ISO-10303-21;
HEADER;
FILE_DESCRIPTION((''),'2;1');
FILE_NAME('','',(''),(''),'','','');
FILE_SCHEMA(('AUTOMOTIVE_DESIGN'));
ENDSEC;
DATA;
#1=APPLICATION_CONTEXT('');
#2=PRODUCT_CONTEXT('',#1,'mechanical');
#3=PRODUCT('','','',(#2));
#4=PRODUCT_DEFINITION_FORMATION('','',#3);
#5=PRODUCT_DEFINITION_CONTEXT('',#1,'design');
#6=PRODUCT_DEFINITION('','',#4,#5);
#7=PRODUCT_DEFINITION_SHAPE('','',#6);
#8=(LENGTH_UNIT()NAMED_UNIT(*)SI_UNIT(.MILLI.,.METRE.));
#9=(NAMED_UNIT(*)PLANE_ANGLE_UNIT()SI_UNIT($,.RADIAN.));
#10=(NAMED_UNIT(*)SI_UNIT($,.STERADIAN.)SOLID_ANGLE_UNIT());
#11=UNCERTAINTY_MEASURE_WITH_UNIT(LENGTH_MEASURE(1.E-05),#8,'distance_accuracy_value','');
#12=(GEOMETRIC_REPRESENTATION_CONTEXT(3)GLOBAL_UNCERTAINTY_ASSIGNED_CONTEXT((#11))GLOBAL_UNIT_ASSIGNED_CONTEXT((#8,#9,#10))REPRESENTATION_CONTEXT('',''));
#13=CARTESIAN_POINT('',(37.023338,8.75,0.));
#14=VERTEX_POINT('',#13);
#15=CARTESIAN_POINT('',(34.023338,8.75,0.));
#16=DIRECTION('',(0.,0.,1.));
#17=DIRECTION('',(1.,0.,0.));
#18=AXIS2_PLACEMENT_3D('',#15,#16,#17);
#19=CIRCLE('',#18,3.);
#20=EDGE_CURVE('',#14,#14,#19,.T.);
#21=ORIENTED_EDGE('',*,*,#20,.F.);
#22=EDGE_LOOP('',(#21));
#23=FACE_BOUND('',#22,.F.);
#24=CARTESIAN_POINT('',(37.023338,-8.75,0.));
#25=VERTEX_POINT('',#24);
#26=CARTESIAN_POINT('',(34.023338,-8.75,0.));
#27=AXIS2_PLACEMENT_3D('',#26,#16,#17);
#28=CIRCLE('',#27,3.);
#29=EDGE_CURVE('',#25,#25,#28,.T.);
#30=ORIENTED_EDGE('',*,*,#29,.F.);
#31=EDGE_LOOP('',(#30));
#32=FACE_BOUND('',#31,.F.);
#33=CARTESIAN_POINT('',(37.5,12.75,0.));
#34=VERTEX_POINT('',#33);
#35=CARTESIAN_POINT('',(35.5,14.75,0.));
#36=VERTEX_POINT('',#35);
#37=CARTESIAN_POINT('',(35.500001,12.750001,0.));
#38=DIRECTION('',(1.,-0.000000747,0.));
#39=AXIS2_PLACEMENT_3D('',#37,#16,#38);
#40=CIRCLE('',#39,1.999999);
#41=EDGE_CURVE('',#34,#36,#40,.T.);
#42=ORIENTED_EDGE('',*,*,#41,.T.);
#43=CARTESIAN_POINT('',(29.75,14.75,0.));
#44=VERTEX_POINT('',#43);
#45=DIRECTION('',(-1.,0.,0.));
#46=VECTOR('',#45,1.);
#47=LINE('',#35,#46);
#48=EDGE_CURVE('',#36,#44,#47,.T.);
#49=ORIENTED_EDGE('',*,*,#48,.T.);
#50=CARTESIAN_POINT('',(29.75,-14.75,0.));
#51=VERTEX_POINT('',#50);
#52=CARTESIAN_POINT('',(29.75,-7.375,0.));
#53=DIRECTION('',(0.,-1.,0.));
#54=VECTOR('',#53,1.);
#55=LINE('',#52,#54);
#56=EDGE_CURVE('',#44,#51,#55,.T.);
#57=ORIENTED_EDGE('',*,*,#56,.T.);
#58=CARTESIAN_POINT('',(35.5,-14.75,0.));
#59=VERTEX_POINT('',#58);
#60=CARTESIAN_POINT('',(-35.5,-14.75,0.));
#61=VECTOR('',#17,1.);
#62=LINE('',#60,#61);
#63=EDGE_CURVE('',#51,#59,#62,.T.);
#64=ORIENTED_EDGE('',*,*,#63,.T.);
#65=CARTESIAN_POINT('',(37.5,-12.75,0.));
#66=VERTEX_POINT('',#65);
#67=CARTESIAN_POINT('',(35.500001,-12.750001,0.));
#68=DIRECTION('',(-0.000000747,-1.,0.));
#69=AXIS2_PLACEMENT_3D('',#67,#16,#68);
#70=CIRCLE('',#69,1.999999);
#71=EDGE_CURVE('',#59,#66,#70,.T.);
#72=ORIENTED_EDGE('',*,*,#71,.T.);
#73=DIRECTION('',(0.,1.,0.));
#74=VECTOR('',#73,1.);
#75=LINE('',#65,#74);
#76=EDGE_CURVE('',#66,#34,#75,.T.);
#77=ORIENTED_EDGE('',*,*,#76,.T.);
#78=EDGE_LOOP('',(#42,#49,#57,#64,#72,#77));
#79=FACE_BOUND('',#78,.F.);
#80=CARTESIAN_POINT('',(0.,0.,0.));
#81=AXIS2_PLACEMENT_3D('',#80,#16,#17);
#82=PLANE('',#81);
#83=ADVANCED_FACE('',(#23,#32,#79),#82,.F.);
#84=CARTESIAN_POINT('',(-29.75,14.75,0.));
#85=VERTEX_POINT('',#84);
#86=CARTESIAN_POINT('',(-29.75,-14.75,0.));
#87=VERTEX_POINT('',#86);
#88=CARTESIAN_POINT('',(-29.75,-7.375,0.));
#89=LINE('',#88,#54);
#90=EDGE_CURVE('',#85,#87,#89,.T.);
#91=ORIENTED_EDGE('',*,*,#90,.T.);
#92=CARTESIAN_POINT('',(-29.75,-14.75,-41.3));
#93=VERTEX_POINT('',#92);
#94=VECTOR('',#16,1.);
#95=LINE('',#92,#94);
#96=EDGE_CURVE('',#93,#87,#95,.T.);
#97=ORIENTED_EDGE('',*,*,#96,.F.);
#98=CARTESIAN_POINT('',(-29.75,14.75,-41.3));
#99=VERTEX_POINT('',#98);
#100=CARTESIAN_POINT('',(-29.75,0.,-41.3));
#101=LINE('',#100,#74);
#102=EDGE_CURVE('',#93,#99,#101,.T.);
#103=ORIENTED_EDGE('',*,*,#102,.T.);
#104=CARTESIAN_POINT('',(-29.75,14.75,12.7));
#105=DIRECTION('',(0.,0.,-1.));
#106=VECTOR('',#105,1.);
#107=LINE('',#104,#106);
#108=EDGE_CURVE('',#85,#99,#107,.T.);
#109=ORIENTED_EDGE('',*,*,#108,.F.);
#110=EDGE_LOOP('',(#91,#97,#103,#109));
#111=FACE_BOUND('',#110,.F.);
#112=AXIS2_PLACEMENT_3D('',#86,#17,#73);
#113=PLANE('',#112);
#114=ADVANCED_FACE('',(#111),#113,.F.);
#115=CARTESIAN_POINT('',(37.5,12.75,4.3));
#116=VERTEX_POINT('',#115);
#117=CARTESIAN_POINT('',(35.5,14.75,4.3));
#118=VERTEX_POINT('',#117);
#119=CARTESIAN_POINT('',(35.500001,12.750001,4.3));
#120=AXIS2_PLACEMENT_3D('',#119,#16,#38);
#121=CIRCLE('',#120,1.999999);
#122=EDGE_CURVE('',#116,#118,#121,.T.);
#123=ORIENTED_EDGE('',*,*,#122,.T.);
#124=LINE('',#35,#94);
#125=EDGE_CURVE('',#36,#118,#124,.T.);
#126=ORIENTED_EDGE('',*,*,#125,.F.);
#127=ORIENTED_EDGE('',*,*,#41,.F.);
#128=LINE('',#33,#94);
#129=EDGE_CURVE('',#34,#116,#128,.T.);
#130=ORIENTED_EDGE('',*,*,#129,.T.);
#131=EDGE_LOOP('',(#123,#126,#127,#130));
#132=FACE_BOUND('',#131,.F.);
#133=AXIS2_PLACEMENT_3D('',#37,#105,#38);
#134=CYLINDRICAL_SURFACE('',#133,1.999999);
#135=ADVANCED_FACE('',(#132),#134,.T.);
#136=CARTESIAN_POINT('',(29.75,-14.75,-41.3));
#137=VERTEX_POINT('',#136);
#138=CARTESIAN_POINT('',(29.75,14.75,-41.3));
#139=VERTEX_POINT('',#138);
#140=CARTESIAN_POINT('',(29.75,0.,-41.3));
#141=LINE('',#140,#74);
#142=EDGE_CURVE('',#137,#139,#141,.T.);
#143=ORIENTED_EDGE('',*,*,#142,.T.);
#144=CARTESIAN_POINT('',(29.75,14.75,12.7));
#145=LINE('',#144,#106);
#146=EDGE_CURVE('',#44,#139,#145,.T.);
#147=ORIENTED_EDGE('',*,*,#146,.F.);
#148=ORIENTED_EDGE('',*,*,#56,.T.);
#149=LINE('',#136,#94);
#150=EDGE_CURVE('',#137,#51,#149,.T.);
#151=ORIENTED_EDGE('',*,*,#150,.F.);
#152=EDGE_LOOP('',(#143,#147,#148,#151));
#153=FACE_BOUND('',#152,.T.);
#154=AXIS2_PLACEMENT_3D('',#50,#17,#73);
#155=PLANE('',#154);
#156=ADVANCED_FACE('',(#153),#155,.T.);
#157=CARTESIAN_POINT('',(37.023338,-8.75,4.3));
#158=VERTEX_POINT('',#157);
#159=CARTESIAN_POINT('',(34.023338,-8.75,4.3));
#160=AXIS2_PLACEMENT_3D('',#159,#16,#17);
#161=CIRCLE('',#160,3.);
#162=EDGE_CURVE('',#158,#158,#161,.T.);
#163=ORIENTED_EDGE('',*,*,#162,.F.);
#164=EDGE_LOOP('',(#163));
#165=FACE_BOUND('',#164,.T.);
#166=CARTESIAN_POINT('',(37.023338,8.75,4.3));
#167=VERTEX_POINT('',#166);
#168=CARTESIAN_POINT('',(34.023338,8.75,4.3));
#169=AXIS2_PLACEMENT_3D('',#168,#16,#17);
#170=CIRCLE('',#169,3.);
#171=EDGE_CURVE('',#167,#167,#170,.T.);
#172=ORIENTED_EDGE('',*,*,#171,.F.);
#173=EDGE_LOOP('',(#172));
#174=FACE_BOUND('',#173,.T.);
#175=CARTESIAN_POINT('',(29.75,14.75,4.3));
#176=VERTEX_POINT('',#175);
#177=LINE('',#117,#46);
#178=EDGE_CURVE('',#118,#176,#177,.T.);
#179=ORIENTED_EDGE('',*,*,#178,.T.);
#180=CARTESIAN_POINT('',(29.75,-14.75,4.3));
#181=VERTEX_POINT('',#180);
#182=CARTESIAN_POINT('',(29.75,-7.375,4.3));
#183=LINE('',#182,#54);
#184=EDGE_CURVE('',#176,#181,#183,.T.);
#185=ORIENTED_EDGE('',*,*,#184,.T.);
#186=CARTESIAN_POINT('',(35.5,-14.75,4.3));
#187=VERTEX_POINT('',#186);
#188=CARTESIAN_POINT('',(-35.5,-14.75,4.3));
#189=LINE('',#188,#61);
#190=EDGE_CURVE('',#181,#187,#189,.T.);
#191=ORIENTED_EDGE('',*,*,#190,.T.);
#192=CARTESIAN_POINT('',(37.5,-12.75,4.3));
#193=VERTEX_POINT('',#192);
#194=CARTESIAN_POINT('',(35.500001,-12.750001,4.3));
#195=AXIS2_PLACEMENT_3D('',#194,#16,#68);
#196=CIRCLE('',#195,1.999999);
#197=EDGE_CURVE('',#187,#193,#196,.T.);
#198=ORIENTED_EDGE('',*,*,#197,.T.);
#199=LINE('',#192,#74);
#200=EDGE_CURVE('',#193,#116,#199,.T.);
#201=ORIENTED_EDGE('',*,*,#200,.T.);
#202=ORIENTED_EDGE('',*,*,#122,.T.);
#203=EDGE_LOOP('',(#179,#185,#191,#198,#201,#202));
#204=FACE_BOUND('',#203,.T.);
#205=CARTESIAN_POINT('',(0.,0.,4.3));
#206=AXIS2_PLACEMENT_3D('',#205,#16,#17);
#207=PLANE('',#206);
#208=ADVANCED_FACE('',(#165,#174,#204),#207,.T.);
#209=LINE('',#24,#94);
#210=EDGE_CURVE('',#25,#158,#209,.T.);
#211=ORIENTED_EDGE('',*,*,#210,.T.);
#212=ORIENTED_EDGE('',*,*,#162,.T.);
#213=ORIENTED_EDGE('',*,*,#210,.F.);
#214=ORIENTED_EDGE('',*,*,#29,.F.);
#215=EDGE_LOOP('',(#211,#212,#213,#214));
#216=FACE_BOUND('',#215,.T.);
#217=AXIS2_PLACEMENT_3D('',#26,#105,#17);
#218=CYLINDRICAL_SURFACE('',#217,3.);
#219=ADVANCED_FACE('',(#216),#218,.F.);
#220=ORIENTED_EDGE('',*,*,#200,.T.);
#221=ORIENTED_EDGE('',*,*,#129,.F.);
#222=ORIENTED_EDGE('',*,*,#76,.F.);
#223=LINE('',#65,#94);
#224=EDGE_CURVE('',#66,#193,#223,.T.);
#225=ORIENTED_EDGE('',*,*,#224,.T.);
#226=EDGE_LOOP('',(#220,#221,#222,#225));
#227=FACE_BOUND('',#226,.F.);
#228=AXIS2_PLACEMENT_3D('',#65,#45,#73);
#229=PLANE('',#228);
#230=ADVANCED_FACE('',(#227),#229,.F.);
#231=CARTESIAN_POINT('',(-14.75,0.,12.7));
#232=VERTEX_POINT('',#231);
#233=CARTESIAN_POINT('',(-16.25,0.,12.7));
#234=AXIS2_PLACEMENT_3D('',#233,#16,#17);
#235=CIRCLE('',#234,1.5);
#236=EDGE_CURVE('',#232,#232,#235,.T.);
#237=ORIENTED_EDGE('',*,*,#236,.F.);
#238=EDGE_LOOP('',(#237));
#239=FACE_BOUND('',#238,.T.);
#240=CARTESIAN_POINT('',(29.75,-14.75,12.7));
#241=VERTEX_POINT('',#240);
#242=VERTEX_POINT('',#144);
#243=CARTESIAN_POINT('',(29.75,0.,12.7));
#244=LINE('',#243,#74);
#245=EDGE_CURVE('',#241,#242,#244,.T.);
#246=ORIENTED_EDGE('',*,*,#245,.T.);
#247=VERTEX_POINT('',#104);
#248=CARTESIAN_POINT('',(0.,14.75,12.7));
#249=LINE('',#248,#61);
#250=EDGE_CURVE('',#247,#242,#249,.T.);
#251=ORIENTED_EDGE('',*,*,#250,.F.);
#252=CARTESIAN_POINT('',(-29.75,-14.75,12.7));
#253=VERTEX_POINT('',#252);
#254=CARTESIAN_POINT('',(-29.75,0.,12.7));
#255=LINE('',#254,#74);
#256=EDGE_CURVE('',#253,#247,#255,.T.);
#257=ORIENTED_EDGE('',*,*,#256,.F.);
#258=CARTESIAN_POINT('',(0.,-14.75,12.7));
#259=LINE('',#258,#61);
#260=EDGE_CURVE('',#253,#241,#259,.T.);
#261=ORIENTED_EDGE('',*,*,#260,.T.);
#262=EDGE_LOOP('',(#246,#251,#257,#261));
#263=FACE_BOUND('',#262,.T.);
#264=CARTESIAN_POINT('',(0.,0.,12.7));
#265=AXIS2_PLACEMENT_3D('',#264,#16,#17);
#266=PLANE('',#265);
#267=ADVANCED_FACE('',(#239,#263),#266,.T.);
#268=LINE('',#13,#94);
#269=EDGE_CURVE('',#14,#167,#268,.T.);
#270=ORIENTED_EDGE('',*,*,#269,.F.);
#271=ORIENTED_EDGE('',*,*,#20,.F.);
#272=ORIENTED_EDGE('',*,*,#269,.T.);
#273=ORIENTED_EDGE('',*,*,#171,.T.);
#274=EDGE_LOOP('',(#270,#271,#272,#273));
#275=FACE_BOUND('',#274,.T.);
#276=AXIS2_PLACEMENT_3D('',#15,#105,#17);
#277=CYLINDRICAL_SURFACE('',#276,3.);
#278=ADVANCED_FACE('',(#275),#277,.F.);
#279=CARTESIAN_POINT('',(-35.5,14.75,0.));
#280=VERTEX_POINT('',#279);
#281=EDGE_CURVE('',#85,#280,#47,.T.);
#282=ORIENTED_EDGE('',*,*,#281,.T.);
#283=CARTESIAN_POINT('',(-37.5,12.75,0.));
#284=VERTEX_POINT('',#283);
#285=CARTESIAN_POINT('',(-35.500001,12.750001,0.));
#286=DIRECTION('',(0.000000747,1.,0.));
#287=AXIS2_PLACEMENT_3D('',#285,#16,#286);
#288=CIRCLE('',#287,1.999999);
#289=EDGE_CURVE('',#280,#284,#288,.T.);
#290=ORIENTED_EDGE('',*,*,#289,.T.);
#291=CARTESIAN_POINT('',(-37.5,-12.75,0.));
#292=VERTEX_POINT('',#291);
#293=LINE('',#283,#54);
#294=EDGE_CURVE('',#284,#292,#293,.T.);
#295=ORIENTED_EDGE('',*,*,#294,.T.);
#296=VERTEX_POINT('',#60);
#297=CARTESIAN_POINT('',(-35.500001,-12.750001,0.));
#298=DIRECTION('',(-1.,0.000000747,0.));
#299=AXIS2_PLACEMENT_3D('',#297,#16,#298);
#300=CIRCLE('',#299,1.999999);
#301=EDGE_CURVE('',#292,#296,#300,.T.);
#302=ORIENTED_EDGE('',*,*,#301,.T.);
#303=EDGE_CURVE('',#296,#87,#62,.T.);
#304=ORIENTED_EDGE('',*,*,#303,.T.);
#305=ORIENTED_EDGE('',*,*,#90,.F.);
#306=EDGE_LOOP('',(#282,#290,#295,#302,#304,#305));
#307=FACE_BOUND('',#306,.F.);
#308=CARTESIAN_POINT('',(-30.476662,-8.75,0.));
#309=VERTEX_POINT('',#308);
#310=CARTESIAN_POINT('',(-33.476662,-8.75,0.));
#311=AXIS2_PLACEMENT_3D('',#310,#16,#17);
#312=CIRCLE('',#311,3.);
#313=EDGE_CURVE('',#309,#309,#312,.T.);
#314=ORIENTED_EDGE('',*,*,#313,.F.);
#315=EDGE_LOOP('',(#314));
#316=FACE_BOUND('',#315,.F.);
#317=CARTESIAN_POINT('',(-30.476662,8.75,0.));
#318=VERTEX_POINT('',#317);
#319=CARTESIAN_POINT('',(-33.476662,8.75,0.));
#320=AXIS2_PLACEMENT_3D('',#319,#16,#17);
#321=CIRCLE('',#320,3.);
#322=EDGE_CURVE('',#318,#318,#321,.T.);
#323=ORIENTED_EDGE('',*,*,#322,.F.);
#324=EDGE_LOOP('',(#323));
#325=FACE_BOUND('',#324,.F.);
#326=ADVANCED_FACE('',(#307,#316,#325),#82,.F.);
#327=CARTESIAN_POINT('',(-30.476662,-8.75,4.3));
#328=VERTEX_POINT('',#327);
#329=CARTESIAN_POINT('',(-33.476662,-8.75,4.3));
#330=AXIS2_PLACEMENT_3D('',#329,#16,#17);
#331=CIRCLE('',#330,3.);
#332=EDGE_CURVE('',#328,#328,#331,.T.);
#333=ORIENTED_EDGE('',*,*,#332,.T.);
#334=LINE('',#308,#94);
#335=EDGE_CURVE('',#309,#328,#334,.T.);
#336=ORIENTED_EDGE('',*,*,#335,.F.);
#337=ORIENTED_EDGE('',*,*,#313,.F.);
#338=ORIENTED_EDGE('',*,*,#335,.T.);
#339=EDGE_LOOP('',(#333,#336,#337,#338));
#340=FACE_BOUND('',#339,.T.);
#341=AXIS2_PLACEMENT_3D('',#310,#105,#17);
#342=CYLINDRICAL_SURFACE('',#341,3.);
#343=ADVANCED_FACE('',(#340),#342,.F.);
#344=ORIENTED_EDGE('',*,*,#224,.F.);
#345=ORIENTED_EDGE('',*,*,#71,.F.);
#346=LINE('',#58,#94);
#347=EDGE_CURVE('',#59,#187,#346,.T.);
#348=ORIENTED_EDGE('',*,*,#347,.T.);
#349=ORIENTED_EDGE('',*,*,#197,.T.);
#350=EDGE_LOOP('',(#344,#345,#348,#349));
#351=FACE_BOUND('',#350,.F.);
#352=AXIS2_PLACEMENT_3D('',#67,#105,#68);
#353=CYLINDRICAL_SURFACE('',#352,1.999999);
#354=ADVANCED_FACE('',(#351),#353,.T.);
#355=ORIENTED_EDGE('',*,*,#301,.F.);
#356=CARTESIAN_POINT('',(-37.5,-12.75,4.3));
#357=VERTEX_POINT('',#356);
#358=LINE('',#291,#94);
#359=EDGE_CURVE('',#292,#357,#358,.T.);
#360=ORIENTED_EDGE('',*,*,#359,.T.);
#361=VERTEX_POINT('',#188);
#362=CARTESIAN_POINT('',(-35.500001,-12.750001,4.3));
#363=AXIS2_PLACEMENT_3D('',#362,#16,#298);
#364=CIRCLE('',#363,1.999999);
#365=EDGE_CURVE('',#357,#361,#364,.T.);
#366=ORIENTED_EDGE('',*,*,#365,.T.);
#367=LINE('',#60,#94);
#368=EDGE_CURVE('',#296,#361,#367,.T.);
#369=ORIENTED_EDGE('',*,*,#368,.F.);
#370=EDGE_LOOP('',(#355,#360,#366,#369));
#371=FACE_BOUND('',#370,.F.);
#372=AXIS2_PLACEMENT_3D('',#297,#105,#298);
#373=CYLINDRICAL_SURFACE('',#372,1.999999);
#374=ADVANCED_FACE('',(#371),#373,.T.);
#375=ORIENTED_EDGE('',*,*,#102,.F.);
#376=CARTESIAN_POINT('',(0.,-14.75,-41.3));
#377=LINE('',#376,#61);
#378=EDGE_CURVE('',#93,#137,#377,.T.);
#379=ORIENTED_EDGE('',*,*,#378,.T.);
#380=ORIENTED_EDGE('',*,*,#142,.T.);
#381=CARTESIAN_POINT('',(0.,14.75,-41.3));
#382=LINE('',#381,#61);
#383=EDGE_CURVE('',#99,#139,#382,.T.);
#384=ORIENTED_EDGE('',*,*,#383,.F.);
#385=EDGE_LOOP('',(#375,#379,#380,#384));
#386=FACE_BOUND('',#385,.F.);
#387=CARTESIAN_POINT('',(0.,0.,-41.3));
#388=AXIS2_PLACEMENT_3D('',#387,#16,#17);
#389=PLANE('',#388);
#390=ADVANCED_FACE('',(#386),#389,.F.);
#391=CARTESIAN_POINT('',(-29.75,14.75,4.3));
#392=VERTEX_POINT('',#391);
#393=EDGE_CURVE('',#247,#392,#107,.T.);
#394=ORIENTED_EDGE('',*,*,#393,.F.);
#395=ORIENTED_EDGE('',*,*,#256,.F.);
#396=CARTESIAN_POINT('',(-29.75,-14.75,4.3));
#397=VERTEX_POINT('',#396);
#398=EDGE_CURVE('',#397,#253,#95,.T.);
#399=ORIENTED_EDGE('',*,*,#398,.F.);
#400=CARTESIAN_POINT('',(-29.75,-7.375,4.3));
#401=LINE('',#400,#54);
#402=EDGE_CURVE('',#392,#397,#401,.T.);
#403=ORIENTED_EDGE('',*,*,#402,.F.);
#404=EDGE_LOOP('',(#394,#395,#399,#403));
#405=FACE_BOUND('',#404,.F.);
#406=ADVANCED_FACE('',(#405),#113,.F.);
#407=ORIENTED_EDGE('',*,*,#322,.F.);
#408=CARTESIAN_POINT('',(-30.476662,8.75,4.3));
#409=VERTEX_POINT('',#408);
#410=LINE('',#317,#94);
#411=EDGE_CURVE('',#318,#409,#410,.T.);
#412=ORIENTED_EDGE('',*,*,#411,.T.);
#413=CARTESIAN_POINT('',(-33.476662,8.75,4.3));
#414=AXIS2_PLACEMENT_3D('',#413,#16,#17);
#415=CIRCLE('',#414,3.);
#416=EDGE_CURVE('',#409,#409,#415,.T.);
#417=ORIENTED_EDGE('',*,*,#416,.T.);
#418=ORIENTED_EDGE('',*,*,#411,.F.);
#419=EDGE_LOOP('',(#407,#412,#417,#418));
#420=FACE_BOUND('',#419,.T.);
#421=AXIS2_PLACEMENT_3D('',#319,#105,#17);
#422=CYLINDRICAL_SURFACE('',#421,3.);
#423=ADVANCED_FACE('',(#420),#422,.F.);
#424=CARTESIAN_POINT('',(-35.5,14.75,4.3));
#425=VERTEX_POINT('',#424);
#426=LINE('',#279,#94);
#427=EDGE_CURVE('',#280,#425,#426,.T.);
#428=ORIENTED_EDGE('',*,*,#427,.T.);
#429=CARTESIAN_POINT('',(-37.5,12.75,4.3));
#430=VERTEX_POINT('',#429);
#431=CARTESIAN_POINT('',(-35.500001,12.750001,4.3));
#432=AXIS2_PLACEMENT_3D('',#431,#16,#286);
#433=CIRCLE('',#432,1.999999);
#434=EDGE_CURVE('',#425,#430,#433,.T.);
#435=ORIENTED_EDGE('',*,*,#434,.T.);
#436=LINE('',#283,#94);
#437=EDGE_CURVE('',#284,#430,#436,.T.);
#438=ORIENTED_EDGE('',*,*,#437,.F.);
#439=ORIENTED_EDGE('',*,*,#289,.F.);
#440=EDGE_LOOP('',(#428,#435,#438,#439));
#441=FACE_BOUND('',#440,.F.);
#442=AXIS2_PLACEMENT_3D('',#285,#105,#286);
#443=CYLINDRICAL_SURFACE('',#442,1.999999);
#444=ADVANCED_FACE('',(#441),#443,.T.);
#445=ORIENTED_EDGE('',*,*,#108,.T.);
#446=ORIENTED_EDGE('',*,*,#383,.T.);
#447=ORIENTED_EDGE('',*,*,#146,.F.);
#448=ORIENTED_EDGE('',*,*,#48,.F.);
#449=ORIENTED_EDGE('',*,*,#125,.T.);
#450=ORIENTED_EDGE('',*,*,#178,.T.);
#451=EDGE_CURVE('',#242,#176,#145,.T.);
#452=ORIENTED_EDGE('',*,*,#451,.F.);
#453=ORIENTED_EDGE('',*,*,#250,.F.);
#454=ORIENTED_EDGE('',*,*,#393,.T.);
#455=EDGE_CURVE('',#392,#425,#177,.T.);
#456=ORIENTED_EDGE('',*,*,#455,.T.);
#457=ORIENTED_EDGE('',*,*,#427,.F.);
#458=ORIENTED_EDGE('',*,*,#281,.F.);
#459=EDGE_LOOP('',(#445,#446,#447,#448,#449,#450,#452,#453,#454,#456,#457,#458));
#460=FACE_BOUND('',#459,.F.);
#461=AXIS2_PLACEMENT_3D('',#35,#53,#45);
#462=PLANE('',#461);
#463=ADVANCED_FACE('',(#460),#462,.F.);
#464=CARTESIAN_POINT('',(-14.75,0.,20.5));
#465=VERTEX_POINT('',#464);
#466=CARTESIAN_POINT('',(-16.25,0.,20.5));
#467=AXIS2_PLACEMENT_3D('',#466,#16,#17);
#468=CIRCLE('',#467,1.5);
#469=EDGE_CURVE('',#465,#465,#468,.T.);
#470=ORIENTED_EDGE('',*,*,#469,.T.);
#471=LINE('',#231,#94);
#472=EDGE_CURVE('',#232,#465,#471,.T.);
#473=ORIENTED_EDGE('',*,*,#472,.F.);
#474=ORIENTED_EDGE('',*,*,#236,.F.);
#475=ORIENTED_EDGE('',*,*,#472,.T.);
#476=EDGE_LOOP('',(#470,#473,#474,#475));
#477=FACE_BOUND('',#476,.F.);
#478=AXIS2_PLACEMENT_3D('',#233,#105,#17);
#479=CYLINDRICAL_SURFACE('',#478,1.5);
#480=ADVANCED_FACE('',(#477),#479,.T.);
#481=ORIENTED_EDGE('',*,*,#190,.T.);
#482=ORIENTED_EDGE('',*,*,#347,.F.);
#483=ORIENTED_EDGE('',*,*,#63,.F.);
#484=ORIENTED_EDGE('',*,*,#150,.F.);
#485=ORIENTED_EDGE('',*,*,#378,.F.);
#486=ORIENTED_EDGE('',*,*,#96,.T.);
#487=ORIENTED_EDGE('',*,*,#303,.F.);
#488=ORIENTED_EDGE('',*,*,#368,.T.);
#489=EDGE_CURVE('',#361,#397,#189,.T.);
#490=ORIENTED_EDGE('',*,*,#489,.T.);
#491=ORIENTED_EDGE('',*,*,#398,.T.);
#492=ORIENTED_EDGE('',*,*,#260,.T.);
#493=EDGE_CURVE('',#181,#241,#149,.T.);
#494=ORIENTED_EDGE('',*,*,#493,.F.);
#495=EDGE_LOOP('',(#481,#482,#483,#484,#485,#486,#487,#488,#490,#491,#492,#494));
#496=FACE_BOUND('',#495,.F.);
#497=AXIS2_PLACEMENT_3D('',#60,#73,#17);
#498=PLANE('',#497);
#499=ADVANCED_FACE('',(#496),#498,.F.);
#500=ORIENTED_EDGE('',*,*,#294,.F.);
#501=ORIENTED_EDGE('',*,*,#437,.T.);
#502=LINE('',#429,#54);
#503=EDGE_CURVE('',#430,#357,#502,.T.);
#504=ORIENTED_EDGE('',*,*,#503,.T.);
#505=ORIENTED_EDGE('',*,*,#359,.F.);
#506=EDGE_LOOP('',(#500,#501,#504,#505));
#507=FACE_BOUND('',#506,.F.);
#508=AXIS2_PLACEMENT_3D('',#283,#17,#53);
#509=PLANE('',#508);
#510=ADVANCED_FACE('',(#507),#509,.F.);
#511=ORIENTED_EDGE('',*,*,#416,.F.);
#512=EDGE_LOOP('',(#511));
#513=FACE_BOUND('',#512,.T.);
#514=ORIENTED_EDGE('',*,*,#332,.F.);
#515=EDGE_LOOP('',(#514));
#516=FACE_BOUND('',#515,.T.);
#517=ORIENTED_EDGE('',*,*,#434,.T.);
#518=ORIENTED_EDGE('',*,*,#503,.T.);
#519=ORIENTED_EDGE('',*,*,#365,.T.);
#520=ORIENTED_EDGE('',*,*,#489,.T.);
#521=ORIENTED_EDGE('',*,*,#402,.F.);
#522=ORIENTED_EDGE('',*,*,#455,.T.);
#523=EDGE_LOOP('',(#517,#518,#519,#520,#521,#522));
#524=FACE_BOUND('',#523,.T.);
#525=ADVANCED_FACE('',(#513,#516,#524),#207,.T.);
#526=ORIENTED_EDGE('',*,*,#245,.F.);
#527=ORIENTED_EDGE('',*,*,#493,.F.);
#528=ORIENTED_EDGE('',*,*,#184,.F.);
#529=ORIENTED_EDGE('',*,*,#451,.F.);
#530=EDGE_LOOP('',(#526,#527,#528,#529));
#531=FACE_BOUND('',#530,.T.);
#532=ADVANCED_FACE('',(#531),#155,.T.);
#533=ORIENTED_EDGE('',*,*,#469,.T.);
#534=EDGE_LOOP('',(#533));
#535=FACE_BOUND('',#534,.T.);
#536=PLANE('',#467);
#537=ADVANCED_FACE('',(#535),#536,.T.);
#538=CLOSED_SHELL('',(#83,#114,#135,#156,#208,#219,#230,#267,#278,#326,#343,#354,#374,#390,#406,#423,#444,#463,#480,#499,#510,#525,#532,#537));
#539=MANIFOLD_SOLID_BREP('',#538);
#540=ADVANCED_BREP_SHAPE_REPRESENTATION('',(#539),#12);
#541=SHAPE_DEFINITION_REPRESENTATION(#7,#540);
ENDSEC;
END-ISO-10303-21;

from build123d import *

# Parameters (mm, degrees)
F0_W          = 59.5
F0_H          = 29.5
F1_DEPTH      = 12.7
F1_DEPTH_BACK = 41.3
F2_R          = 3
F3_DEPTH      = 4.3
F4_R          = 1.5
F5_DEPTH      = 7.8


with BuildPart() as f1:
    # F0 (on Top) → F1 (new body, two sides)
    with BuildSketch(Plane.XY) as f1_sk:
        Rectangle(F0_W, F0_H)
    extrude(amount=F1_DEPTH)
    extrude(f1_sk.sketch, amount=-F1_DEPTH_BACK)

    # F2 (on Top) → F3 (join)
    with BuildSketch(Plane.XY):
        with BuildLine():
            Line((-35.5, -14.75), (35.5, -14.75))
            ThreePointArc((35.5, -14.75), (36.914214, -14.164214), (37.5, -12.75))
            Line((37.5, -12.75), (37.5, 12.75))
            ThreePointArc((37.5, 12.75), (36.914214, 14.164214), (35.5, 14.75))
            Line((35.5, 14.75), (-35.5, 14.75))
            ThreePointArc((-35.5, 14.75), (-36.914214, 14.164214), (-37.5, 12.75))
            Line((-37.5, 12.75), (-37.5, -12.75))
            ThreePointArc((-37.5, -12.75), (-36.914214, -14.164214), (-35.5, -14.75))
        make_face()
        with Locations((-33.476662, -8.75)):
            Circle(F2_R, mode=Mode.SUBTRACT)
        with Locations((34.023338, -8.75)):
            Circle(F2_R, mode=Mode.SUBTRACT)
        with Locations((-33.476662, 8.75)):
            Circle(F2_R, mode=Mode.SUBTRACT)
        with Locations((34.023338, 8.75)):
            Circle(F2_R, mode=Mode.SUBTRACT)
    extrude(amount=F3_DEPTH)

    # F4 (on face) → F5 (join)
    with BuildSketch(Plane.XY.offset(12.7)):
        with Locations((-16.25, 0)):
            Circle(F4_R)
    extrude(amount=F5_DEPTH)


solid = f1.part
